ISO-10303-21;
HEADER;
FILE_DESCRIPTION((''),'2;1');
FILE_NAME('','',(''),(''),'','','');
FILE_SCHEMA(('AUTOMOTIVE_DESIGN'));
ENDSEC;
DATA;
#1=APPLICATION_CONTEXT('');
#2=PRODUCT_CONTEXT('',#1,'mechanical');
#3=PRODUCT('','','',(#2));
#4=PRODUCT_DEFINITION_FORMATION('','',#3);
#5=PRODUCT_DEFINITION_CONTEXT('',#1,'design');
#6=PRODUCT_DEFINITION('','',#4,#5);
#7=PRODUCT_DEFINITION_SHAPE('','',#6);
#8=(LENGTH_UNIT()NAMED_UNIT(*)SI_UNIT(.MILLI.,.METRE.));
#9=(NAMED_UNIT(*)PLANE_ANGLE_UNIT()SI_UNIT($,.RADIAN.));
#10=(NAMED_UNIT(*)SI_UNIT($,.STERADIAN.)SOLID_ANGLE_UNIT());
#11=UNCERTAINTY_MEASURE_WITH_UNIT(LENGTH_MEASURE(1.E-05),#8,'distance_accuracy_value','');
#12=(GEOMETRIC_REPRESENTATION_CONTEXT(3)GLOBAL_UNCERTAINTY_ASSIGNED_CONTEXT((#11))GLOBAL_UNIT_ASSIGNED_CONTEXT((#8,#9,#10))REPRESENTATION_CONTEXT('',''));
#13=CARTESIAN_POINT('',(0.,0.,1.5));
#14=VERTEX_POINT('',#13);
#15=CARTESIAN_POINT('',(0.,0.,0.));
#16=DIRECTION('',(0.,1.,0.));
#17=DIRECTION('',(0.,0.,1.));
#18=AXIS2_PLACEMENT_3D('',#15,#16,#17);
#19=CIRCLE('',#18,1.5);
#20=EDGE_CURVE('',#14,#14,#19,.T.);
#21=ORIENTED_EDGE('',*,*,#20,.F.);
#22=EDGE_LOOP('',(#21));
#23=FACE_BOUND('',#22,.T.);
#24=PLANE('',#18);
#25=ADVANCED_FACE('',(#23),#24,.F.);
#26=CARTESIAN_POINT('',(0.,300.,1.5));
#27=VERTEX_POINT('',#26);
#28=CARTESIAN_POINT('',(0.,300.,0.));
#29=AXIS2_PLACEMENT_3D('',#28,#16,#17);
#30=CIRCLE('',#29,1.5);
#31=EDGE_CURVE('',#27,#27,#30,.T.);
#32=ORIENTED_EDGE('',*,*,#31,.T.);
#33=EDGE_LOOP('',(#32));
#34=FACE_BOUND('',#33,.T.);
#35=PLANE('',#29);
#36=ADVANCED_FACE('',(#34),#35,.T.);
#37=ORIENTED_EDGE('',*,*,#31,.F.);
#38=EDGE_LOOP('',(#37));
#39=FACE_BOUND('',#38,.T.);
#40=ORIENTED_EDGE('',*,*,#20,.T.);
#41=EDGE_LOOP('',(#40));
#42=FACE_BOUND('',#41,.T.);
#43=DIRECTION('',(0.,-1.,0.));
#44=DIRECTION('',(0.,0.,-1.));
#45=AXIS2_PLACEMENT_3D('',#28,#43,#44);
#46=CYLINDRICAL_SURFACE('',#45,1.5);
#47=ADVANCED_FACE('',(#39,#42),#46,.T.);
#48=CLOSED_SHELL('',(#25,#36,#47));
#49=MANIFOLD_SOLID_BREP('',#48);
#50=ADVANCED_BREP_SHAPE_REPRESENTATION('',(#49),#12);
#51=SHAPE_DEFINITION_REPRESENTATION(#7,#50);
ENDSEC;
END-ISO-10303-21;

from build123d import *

# Parameters (mm, degrees)
ESQUISSE1_R        = 1.5
BOSS_EXTRU_1_DEPTH = 300


with BuildPart() as part:
    # Esquisse1 → Boss.-Extru.1 (new body)
    with BuildSketch(Plane(origin=(0, 0, 0), x_dir=(1, 0, 0), z_dir=(0, 1, 0))):
        Circle(ESQUISSE1_R)
    extrude(amount=BOSS_EXTRU_1_DEPTH)


solid = part.part
